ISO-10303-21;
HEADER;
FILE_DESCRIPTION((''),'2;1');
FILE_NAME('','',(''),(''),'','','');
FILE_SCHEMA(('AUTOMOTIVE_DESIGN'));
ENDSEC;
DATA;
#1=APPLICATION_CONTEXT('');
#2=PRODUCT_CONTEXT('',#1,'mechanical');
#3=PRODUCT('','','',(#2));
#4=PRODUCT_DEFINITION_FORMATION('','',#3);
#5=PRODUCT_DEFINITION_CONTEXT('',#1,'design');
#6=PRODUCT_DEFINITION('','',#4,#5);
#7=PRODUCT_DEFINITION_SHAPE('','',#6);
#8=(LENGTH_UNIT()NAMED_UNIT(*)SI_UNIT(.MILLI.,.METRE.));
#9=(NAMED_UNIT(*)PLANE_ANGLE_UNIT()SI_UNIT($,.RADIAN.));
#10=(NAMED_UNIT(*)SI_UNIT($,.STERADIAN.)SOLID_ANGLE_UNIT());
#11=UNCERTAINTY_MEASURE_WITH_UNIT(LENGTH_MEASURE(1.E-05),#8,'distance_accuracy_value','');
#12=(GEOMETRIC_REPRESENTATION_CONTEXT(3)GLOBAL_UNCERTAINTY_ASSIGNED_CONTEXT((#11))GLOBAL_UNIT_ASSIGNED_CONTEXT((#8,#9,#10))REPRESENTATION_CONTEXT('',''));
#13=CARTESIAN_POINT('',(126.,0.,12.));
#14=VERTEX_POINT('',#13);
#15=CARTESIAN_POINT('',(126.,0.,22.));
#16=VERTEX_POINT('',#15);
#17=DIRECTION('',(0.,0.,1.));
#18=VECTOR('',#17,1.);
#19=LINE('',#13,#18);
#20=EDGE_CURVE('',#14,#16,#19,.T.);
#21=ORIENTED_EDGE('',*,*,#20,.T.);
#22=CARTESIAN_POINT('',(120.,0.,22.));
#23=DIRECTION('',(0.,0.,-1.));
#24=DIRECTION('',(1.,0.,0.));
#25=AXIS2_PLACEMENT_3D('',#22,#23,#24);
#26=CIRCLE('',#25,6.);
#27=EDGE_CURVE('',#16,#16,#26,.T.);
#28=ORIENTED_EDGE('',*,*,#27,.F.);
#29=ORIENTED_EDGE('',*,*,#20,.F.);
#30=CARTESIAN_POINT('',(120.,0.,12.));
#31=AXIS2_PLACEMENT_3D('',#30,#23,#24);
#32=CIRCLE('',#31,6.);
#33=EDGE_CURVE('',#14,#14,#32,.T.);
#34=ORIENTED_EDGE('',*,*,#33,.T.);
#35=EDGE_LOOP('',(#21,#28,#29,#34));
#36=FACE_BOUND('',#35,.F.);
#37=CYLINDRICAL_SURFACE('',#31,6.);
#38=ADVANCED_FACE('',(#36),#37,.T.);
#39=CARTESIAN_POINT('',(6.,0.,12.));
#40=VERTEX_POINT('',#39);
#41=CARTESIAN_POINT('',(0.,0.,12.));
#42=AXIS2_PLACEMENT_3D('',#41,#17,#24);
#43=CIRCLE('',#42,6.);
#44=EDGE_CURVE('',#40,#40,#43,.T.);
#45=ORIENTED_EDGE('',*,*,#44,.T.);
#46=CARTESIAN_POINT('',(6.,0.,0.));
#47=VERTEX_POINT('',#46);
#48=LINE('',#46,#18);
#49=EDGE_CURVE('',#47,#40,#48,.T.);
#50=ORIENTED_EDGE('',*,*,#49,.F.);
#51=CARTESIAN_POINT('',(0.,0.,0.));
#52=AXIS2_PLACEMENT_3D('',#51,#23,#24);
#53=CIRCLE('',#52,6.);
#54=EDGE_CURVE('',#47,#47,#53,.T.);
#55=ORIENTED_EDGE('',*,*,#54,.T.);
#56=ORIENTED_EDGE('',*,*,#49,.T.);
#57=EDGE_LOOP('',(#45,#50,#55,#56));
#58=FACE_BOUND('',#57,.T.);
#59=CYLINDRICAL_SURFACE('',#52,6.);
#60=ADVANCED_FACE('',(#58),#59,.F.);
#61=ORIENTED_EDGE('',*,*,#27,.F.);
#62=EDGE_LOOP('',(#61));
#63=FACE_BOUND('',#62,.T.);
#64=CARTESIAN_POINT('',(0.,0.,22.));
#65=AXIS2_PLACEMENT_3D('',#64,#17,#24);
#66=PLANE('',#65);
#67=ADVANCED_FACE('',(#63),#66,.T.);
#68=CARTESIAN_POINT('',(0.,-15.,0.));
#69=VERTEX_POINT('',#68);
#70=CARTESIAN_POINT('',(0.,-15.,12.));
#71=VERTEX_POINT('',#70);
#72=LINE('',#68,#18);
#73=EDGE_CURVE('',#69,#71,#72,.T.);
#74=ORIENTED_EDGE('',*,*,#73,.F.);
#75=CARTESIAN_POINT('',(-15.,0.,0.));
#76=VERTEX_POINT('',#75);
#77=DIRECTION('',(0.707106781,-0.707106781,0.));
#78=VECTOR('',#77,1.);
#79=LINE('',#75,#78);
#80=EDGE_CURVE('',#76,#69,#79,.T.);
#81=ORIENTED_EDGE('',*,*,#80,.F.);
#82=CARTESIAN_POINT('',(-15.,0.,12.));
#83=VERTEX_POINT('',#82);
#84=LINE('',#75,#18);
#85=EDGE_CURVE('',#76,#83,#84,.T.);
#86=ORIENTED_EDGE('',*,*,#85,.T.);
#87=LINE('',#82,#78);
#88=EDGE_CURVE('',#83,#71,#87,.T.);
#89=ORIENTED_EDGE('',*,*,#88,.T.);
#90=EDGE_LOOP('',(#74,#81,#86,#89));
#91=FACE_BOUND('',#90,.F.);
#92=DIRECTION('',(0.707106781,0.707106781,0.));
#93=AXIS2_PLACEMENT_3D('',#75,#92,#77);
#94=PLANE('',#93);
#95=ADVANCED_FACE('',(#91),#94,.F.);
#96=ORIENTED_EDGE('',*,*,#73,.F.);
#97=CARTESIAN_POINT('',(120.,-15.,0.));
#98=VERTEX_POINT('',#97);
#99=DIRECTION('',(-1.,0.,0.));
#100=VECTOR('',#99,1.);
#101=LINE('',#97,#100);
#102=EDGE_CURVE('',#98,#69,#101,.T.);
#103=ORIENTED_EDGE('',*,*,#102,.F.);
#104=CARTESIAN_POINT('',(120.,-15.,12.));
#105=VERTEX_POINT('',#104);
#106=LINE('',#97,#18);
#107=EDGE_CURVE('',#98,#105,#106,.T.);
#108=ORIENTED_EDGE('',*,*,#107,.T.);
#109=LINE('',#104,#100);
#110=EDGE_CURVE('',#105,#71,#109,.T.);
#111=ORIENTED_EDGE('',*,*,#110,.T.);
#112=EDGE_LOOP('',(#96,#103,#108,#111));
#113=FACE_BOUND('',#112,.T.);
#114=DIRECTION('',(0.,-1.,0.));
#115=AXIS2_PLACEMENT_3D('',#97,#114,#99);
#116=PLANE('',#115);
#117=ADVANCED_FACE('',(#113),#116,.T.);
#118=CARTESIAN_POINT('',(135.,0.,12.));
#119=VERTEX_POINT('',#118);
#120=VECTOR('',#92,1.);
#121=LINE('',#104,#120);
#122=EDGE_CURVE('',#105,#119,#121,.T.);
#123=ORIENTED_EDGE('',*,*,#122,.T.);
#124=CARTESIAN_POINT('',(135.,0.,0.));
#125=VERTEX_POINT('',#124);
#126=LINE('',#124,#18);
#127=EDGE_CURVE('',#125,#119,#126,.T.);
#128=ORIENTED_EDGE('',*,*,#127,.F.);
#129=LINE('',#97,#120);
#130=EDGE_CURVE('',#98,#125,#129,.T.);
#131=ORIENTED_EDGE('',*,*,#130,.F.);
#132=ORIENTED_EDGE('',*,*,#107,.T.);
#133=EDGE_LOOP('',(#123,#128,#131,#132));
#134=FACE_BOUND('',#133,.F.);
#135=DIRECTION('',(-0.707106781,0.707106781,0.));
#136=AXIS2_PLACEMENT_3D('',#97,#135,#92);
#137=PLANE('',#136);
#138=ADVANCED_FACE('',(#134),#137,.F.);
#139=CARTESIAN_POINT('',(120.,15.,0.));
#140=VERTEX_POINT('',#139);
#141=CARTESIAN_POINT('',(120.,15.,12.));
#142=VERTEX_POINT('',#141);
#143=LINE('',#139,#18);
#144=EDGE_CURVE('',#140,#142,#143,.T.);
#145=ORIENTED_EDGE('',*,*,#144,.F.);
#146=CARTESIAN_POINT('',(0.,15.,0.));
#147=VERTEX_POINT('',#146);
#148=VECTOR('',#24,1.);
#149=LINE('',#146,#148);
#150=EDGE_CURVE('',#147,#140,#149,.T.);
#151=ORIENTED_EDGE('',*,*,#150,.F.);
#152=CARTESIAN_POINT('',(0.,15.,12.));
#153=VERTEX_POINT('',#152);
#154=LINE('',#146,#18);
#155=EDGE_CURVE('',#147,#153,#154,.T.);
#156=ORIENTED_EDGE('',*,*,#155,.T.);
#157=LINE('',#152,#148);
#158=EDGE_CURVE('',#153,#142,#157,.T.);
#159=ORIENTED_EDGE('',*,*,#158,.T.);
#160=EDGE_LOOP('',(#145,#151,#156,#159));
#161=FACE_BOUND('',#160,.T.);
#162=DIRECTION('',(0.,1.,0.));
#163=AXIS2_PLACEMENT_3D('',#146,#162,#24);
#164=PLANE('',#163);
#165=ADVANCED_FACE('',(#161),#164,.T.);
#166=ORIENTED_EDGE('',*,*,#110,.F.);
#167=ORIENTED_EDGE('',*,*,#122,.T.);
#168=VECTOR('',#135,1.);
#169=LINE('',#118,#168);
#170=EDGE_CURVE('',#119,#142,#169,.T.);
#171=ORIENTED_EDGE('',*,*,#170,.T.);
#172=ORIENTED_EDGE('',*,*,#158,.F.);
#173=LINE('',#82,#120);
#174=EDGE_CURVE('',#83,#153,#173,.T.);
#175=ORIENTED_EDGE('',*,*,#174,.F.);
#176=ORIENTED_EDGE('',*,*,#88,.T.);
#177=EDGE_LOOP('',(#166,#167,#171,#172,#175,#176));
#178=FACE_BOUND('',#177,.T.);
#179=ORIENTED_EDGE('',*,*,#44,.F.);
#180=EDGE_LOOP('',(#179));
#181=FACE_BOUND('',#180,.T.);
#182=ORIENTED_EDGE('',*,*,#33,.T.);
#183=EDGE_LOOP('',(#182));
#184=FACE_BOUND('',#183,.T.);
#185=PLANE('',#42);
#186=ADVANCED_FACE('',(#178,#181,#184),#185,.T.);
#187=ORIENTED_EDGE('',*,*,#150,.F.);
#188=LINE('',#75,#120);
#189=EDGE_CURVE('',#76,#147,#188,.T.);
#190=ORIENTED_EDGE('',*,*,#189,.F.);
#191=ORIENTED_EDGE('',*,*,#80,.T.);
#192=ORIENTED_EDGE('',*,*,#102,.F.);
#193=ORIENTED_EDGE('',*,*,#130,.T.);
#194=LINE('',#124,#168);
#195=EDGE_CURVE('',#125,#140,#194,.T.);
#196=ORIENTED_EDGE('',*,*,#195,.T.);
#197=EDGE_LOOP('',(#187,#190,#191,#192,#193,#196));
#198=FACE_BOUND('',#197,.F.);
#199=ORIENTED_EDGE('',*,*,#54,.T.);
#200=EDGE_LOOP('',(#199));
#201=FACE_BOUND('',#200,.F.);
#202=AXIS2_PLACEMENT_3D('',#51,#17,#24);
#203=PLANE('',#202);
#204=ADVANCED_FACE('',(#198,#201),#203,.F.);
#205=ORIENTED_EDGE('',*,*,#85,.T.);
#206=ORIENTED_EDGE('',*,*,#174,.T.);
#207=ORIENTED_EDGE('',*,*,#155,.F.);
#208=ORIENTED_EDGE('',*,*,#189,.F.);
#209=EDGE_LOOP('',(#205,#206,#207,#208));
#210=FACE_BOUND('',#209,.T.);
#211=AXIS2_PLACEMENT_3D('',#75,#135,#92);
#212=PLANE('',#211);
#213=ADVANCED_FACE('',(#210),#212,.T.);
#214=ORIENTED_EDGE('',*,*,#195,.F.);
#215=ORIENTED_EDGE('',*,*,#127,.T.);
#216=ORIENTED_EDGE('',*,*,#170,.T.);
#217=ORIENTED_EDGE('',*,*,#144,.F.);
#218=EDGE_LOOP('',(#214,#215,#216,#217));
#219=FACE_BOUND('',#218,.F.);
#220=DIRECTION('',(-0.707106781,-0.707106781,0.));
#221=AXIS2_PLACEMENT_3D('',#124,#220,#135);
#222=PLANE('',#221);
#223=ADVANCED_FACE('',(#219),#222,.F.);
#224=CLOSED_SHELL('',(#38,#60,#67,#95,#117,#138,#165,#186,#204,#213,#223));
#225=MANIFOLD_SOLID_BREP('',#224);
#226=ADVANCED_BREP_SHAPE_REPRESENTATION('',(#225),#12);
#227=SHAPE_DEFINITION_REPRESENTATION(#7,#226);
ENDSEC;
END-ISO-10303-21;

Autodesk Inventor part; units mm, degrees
ref_plane "YZ Plane" through (0, 0, 0) normal (1, 0, 0) x (0, 1, 0)
ref_plane "XZ Plane" through (0, 0, 0) normal (0, 1, 0) x (-1, 0, 0)
ref_plane "XY Plane" through (0, 0, 0) normal (0, 0, 1) x (1, 0, 0)
sketch "Boceto1" plane through (0, 0, 0) normal (0, 0, 1) x (1, 0, 0)
  circle A0 centre (0, 0) radius 6
  line L0 (0, 0) -> (0, 15)
  line L1 (0, 15) -> (120, 15)
  line L2 (120, 15) -> (120, -15)
  line L3 (120, -15) -> (0, -15)
  line L4 (0, -15) -> (0, 0)
  circle A1 centre (120, 0) radius 6
  line L5 (120, 0) -> (135, 0)
  line L6 (120, -15) -> (135, 0)
  line L7 (135, 0) -> (120, 15)
  line L8 (0, 0) -> (-15, 0)
  line L9 (-15, 0) -> (0, -15)
  line L10 (-15, 0) -> (0, 15)
  dimension "d0" = 12
  dimension "d1" = 15
  dimension "d2" = 120
  dimension "d3" = 30
  dimension "d4" = 12
  dimension "d5" = 15
  dimension "d6" = 15
extrude "Extrusión1" add sketch "Boceto1" along normal blind 12 contours A0 L0 L1 L2 A1 L3 L4 | A0 L8 L10 L0 | L4 L9 L8 A0 | L7 L5 A1 L2 | L2 A1 L5 L6 | A1 L5 L2 | L2 A1 | L2 L5 A1
sketch "Boceto2" plane through (0, 0, 12) normal (0, 0, 1) x (1, 0, 0)
  line L0 (0, 0) -> (120, 0)
  circle A0 centre (120, 0) radius 6
  dimension "d9" = 120
  dimension "d10" = 12
extrude "Extrusión2" add sketch "Boceto2" along normal blind 10
equation "\"d7\" = d4"
properties part number "Eslabon_2_inventor"
